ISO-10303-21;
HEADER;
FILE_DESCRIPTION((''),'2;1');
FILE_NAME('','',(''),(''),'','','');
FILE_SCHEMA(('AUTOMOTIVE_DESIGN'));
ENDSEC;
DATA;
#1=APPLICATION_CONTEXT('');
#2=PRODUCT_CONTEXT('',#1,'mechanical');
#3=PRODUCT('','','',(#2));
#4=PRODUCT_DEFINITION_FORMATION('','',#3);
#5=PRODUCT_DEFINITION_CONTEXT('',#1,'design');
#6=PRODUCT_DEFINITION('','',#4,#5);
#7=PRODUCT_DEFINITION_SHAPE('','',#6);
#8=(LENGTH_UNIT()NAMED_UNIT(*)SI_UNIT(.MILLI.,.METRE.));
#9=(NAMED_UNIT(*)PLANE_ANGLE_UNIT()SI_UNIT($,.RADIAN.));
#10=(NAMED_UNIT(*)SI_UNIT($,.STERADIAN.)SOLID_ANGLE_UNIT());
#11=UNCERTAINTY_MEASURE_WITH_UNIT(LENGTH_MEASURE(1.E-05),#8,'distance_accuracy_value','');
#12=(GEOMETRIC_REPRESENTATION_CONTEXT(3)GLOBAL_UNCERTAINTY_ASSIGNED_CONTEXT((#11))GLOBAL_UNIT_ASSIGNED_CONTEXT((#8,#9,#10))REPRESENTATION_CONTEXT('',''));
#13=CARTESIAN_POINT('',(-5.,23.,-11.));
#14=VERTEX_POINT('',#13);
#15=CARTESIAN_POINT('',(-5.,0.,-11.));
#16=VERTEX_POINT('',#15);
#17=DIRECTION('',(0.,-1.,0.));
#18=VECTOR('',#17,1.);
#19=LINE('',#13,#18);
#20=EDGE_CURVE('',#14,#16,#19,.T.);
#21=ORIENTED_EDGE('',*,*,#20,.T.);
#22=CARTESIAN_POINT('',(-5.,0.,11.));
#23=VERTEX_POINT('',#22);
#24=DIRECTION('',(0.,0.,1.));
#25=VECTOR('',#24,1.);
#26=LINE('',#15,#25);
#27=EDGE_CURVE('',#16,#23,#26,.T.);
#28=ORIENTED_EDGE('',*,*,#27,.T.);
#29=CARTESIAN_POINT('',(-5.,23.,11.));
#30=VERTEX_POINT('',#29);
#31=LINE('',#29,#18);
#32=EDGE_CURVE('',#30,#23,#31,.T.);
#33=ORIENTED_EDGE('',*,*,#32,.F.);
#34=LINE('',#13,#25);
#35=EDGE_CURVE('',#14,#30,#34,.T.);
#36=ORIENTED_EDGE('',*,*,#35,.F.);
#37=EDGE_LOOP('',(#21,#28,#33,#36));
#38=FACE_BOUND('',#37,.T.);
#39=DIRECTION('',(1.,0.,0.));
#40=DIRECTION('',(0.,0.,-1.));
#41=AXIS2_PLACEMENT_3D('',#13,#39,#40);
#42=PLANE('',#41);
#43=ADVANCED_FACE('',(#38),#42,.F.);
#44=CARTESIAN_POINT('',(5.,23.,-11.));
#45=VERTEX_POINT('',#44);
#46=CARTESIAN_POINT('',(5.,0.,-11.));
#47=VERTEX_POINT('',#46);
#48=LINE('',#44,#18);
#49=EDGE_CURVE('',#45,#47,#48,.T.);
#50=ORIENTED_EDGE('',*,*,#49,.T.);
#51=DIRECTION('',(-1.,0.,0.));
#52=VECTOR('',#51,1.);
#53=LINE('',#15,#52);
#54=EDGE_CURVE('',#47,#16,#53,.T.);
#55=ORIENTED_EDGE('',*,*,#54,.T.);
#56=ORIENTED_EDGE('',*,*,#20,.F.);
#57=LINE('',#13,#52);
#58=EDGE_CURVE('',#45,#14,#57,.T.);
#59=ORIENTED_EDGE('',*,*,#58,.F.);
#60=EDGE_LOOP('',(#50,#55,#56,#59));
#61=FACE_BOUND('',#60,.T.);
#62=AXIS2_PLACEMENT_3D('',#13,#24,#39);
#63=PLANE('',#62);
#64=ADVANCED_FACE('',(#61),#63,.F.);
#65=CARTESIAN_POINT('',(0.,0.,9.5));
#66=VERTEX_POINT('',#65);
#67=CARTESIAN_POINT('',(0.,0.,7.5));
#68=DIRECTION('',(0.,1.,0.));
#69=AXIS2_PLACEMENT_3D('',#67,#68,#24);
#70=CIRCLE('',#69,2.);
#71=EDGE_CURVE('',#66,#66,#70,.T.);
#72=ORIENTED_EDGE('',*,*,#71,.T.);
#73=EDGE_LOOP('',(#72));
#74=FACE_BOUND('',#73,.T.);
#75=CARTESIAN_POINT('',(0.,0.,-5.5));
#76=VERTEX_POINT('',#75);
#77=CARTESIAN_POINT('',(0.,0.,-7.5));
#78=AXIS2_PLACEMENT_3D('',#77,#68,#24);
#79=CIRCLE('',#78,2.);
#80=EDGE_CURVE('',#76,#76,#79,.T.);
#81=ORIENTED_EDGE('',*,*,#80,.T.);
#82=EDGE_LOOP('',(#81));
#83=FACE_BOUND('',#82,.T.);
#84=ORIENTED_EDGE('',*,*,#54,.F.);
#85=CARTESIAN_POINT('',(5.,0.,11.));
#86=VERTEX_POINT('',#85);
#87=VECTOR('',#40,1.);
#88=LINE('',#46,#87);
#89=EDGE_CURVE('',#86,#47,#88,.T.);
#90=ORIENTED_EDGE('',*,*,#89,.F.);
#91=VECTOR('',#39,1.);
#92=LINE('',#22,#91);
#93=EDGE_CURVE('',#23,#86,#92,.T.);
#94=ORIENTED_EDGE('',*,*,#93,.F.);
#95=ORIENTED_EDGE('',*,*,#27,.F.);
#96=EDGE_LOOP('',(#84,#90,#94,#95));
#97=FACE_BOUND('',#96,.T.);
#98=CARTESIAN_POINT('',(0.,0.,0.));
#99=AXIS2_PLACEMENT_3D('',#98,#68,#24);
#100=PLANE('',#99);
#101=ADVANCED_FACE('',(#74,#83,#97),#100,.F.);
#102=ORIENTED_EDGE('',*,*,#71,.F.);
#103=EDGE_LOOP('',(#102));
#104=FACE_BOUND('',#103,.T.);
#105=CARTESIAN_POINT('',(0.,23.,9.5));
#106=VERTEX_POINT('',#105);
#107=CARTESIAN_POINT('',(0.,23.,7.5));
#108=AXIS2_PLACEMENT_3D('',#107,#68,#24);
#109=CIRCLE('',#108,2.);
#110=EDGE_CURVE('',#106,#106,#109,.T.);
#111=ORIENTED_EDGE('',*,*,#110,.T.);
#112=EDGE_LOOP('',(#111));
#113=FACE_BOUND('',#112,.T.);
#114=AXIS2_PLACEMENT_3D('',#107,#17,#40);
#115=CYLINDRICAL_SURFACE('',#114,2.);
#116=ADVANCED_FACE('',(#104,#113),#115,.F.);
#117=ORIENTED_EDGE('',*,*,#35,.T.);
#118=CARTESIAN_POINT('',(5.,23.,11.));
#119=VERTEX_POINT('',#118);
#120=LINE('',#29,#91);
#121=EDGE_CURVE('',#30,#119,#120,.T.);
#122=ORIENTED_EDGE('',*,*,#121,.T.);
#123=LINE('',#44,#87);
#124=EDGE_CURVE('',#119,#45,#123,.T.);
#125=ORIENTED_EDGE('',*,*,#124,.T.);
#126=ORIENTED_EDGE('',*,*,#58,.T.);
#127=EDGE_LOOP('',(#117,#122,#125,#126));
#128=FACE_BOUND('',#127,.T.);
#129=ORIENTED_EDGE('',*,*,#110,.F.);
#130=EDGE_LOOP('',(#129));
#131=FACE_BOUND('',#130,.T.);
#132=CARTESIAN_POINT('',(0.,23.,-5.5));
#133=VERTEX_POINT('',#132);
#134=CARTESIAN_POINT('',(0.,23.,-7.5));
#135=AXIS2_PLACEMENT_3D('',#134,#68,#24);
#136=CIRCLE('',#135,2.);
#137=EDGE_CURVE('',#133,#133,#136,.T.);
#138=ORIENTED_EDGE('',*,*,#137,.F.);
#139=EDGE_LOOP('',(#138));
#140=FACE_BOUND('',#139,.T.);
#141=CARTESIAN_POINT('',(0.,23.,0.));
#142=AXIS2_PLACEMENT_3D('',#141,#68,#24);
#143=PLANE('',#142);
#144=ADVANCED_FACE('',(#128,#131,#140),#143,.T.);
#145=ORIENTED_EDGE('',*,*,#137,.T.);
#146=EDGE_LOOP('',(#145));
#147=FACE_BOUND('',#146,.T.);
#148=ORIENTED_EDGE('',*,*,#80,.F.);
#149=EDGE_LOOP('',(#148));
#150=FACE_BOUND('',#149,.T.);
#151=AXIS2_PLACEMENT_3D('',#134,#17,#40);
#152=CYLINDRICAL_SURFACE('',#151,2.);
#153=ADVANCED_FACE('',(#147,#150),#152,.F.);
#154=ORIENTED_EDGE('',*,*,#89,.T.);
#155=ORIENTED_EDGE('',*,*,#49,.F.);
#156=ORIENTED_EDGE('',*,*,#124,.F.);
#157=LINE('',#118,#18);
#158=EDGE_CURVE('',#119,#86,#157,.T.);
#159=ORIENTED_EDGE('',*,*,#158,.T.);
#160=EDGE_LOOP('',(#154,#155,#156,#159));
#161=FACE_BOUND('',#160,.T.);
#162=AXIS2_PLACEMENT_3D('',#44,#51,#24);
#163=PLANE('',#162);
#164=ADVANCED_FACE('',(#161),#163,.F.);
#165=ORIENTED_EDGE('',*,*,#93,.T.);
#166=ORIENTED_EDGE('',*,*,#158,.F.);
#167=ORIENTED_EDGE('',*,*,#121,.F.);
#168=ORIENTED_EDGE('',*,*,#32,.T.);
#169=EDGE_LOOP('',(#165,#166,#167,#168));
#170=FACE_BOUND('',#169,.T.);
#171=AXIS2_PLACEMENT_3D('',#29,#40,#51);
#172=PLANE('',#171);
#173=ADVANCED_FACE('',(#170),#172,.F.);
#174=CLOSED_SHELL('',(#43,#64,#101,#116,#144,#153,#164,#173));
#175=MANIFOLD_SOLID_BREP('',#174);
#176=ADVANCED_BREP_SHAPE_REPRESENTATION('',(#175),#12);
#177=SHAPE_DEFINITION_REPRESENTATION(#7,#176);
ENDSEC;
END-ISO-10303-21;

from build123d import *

# Parameters (mm, degrees)
SKETCH1_W           = 10
SKETCH1_H           = 22
SKETCH1_R           = 2
BOSS_EXTRUDE1_DEPTH = 23


with BuildPart() as part:
    # Sketch1 → Boss-Extrude1 (new body)
    with BuildSketch(Plane(origin=(0, 0, 0), x_dir=(1, 0, 0), z_dir=(0, 1, 0))):
        Rectangle(SKETCH1_W, SKETCH1_H)
        with Locations(Location((0, 7.5, 0), (0, 0, 270))):
            Circle(SKETCH1_R, mode=Mode.SUBTRACT)
        with Locations(Location((0, -7.5, 0), (0, 0, 270))):
            Circle(SKETCH1_R, mode=Mode.SUBTRACT)
    extrude(amount=BOSS_EXTRUDE1_DEPTH)


solid = part.part
